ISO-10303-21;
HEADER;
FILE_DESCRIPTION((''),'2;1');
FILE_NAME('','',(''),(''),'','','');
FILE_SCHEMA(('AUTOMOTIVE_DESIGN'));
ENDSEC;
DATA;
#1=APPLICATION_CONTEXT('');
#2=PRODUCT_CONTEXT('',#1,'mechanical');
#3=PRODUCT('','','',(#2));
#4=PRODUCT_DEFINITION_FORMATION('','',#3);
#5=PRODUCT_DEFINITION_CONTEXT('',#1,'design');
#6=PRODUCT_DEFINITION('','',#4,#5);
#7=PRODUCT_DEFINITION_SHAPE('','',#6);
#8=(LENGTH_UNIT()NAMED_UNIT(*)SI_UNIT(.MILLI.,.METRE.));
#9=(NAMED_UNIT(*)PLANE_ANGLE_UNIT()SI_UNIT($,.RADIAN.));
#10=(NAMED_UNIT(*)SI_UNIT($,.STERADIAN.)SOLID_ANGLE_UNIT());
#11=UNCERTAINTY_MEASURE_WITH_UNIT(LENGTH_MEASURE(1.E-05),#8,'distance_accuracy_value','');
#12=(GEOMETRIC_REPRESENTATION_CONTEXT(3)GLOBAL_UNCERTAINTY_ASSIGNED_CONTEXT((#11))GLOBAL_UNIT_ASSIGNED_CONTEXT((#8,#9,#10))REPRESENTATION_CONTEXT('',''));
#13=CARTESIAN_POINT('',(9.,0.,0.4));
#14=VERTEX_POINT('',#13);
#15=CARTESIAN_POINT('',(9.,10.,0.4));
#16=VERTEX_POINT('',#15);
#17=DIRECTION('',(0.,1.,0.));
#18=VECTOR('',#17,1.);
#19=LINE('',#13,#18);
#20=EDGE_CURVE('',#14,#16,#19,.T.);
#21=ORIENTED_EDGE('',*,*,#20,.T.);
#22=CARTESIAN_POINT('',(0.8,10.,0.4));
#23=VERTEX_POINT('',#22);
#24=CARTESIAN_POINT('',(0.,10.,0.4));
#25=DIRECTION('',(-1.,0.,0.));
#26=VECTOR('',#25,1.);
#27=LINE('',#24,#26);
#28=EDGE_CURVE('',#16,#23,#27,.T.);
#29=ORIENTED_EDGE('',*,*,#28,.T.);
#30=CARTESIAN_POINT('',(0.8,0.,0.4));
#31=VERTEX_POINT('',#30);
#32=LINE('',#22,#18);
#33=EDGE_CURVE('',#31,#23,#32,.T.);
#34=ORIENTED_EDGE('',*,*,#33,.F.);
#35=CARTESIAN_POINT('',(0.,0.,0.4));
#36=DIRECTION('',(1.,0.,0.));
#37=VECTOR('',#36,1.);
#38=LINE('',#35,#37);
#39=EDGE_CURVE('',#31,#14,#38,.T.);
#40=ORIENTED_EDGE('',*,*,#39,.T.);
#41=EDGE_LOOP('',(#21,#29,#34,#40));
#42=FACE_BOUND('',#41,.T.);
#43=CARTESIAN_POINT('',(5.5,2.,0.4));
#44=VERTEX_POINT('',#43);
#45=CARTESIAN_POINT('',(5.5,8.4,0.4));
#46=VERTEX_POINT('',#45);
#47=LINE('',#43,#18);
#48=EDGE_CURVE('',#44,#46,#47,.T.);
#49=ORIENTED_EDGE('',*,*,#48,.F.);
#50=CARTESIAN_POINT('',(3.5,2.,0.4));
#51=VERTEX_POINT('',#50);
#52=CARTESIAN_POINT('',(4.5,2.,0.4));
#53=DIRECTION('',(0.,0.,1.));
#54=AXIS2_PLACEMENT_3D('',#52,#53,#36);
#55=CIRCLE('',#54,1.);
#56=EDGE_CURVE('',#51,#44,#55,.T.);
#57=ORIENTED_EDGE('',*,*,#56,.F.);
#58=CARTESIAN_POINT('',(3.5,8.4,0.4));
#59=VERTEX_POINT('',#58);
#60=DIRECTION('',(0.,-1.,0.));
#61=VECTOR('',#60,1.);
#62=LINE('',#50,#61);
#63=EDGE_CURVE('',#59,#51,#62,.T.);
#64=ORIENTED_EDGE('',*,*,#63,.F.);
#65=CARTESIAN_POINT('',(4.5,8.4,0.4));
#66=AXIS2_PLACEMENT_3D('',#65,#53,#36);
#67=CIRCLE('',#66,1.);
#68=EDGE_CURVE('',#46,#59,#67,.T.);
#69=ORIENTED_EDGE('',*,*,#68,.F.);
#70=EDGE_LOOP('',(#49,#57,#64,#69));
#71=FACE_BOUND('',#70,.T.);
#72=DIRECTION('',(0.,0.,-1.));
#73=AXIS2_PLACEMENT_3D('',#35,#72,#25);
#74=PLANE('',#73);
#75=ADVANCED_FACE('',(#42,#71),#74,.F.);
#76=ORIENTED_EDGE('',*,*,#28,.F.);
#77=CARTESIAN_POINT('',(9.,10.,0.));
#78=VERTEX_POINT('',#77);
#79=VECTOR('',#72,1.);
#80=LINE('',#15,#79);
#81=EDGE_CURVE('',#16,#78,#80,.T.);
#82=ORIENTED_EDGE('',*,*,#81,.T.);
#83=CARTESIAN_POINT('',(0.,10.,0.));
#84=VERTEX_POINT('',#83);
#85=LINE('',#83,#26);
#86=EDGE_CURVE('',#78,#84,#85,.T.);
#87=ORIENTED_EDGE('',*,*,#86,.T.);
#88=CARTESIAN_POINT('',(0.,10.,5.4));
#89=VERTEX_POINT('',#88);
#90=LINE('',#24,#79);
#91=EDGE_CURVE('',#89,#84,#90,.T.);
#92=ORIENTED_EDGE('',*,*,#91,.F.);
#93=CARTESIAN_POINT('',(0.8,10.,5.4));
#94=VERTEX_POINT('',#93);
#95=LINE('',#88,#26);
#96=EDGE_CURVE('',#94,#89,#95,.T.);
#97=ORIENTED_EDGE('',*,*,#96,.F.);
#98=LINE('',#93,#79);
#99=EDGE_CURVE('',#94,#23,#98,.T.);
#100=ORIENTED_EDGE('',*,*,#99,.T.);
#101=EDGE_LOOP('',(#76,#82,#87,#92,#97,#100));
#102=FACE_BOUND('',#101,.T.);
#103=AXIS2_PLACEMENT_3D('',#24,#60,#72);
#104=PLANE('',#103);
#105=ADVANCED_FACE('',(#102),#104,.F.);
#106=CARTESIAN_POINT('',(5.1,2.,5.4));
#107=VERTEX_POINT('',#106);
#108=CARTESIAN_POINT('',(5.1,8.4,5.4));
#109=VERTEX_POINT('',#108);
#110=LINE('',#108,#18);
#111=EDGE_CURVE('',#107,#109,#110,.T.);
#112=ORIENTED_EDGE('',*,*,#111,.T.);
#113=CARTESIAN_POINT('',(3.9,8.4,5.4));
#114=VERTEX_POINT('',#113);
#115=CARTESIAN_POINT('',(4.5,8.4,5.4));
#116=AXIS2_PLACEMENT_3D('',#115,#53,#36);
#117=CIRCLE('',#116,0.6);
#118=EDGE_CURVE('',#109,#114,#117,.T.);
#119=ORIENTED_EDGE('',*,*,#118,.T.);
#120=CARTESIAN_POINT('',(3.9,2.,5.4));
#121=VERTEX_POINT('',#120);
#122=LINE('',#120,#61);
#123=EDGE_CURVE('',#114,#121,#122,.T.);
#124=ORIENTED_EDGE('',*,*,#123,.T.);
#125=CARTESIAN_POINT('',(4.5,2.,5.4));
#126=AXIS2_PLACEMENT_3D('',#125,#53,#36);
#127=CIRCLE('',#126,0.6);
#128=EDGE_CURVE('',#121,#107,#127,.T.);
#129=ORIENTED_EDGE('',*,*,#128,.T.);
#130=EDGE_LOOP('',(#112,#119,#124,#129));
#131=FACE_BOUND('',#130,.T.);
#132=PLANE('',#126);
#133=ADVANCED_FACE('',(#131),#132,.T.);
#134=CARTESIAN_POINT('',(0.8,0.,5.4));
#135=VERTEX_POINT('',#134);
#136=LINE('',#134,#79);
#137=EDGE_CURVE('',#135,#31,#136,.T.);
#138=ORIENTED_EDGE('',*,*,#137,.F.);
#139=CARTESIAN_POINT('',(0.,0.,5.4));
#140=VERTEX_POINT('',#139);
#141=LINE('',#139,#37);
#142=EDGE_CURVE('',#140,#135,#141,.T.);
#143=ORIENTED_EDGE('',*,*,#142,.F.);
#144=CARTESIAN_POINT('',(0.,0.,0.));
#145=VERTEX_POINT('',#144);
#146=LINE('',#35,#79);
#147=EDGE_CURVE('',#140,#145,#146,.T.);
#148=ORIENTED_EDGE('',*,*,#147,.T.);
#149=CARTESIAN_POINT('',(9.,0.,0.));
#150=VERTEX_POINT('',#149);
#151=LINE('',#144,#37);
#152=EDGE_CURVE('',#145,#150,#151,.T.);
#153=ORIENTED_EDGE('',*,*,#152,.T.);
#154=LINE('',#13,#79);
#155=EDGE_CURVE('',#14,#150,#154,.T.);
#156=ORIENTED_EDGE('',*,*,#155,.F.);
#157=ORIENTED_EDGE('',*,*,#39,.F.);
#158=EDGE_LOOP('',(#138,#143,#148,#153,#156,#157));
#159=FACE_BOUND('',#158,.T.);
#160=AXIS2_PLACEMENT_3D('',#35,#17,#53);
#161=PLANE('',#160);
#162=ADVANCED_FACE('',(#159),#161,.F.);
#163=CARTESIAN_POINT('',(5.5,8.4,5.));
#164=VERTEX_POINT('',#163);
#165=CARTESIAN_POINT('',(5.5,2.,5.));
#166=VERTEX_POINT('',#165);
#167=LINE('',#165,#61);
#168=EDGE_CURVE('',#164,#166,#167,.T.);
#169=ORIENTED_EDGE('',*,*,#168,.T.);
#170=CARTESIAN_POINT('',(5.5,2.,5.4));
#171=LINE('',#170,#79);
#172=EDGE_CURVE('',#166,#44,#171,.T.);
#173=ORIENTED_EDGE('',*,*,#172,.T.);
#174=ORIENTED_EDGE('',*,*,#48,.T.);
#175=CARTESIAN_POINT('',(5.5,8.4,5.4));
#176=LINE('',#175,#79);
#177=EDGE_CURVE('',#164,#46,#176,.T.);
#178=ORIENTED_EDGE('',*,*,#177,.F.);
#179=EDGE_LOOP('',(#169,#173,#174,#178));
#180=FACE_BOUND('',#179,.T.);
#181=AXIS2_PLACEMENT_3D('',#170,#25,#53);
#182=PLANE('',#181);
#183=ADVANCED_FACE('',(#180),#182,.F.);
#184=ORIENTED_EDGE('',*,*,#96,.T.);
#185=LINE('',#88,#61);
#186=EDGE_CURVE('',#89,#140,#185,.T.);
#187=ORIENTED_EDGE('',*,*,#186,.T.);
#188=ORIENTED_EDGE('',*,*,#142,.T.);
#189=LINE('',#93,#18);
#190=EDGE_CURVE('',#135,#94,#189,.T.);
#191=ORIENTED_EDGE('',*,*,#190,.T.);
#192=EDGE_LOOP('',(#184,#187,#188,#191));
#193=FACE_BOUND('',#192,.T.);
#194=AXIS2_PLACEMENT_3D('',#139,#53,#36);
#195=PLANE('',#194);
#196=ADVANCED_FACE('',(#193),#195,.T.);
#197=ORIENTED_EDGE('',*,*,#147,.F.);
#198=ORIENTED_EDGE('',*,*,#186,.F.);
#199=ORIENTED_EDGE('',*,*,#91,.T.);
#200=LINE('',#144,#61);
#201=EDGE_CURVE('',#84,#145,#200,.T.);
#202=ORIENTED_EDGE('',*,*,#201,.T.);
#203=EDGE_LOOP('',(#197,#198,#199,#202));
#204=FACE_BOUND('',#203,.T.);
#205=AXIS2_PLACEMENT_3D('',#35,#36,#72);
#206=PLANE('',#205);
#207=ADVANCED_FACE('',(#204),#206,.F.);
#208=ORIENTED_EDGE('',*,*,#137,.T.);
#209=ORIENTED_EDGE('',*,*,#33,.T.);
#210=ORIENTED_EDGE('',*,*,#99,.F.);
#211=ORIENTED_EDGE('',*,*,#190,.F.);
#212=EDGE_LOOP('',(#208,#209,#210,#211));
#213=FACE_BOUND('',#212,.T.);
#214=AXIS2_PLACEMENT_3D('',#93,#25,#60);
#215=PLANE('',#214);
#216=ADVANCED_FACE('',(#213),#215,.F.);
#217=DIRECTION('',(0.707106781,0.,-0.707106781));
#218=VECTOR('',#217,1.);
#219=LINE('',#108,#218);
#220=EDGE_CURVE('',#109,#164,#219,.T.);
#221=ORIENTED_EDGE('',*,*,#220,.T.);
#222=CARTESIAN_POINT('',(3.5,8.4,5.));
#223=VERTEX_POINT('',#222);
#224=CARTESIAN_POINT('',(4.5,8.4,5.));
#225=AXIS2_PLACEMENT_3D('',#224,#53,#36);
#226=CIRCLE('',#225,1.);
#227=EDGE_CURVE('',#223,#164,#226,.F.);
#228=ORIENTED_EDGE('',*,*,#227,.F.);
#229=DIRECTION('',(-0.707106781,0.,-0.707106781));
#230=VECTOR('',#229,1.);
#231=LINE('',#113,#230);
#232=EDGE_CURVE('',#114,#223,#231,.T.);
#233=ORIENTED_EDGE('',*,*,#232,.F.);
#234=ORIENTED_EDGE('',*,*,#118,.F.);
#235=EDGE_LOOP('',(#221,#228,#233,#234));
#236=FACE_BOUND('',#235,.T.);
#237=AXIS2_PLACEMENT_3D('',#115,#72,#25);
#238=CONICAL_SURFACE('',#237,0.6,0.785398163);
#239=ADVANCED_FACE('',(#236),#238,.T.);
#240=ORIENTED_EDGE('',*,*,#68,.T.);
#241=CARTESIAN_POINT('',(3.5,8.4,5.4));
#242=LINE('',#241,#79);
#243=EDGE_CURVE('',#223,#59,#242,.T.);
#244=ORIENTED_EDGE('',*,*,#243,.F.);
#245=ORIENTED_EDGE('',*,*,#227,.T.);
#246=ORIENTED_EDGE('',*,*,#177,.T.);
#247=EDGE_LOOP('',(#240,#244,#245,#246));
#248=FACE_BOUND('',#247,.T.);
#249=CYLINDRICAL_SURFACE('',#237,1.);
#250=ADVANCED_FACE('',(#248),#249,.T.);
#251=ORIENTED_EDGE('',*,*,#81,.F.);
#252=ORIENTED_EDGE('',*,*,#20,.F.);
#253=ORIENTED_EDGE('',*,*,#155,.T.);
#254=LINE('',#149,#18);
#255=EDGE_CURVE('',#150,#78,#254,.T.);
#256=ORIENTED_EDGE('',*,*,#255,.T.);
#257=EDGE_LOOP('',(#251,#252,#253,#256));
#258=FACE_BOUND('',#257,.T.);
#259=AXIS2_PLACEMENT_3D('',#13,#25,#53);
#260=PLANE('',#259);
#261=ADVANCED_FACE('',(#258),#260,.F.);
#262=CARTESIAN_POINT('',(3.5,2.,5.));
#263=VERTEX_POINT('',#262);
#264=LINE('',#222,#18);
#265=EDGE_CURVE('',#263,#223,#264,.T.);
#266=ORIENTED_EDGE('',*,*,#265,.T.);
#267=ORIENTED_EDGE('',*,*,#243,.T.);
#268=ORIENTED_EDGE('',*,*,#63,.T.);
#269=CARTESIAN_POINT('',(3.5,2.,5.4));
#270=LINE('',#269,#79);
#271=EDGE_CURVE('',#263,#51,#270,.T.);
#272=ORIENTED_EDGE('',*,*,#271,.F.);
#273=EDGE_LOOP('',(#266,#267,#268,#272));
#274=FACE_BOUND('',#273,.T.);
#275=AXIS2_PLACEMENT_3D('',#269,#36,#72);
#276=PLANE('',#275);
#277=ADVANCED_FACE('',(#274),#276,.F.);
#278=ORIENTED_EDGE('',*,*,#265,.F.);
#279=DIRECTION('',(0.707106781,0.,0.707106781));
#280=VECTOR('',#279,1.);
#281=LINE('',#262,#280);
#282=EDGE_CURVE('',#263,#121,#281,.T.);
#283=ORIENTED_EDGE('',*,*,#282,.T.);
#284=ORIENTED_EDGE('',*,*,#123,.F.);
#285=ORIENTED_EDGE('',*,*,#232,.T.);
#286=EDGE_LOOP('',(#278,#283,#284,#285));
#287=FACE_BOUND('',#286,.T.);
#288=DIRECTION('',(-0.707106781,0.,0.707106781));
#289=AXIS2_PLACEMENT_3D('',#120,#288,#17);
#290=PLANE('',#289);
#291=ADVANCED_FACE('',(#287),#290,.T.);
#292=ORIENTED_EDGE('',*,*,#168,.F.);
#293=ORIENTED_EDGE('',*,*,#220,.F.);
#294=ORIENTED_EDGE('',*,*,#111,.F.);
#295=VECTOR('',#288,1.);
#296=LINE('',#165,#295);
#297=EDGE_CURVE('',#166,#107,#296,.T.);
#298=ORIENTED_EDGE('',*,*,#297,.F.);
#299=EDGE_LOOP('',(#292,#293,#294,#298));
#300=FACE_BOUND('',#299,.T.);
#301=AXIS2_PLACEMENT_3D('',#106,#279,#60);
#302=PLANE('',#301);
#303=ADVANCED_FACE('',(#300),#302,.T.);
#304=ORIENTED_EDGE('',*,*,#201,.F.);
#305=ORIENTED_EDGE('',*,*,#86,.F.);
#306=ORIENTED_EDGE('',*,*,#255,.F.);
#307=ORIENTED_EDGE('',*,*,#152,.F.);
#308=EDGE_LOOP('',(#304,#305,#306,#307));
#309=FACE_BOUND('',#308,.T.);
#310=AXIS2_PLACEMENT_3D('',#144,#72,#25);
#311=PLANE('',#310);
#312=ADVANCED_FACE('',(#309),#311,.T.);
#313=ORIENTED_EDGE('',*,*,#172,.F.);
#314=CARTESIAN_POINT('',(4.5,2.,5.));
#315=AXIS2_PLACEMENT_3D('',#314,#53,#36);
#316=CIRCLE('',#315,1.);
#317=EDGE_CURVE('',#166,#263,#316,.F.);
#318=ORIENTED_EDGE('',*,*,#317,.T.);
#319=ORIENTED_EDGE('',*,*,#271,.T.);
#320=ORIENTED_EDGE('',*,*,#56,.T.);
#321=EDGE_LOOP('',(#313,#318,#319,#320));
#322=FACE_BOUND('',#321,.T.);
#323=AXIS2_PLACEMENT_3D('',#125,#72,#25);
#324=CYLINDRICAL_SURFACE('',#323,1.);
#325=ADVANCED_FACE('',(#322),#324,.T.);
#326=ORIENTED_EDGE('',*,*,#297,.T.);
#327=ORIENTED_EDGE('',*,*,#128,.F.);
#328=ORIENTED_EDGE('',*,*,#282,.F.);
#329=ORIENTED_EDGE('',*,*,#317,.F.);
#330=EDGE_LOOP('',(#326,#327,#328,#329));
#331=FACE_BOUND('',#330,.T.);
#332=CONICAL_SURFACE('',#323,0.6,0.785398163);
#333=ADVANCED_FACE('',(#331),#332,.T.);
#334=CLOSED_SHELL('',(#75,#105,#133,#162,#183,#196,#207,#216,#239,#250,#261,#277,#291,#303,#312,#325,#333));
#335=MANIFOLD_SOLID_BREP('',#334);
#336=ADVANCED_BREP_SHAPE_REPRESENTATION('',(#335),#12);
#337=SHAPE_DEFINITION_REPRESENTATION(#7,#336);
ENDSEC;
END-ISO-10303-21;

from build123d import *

# Parameters (mm, degrees)
SKETCH1_W           = 9
SKETCH1_H           = 10
BOSS_EXTRUDE1_DEPTH = 0.4
BOSS_EXTRUDE2_DEPTH = 5
SKETCH4_W           = 0.8
SKETCH4_H           = 10
BOSS_EXTRUDE3_DEPTH = 5
CHAMFER1_SIZE       = 0.4


with BuildPart() as part:
    # Sketch1 → Boss-Extrude1 (new body)
    with BuildSketch(Plane.XY):
        with Locations((4.5, 5)):
            Rectangle(SKETCH1_W, SKETCH1_H)
    extrude(amount=BOSS_EXTRUDE1_DEPTH)

    # Sketch3 → Boss-Extrude2 (add)
    with BuildSketch(Plane.XY.offset(0.4)):
        with BuildLine():
            Line((3.5, 2), (3.5, 8.4))
            ThreePointArc((3.5, 8.4), (4.5, 9.4), (5.5, 8.4))
            Line((5.5, 8.4), (5.5, 2))
            ThreePointArc((5.5, 2), (4.5, 1), (3.5, 2))
        make_face()
    extrude(amount=BOSS_EXTRUDE2_DEPTH)

    # Sketch4 → Boss-Extrude3 (add)
    with BuildSketch(Plane.XY.offset(0.4)):
        with Locations((0.4, 5)):
            Rectangle(SKETCH4_W, SKETCH4_H)
    extrude(amount=BOSS_EXTRUDE3_DEPTH)

    # Chamfer1
    chamfer1_edges = [part.edges().sort_by_distance(p)[0] for p in [
        (4.5, 1, 5.4),
        (5.5, 5.2, 5.4),
        (4.5, 9.4, 5.4),
        (3.5, 5.2, 5.4),
    ]]
    chamfer(chamfer1_edges, length=CHAMFER1_SIZE)


solid = part.part
